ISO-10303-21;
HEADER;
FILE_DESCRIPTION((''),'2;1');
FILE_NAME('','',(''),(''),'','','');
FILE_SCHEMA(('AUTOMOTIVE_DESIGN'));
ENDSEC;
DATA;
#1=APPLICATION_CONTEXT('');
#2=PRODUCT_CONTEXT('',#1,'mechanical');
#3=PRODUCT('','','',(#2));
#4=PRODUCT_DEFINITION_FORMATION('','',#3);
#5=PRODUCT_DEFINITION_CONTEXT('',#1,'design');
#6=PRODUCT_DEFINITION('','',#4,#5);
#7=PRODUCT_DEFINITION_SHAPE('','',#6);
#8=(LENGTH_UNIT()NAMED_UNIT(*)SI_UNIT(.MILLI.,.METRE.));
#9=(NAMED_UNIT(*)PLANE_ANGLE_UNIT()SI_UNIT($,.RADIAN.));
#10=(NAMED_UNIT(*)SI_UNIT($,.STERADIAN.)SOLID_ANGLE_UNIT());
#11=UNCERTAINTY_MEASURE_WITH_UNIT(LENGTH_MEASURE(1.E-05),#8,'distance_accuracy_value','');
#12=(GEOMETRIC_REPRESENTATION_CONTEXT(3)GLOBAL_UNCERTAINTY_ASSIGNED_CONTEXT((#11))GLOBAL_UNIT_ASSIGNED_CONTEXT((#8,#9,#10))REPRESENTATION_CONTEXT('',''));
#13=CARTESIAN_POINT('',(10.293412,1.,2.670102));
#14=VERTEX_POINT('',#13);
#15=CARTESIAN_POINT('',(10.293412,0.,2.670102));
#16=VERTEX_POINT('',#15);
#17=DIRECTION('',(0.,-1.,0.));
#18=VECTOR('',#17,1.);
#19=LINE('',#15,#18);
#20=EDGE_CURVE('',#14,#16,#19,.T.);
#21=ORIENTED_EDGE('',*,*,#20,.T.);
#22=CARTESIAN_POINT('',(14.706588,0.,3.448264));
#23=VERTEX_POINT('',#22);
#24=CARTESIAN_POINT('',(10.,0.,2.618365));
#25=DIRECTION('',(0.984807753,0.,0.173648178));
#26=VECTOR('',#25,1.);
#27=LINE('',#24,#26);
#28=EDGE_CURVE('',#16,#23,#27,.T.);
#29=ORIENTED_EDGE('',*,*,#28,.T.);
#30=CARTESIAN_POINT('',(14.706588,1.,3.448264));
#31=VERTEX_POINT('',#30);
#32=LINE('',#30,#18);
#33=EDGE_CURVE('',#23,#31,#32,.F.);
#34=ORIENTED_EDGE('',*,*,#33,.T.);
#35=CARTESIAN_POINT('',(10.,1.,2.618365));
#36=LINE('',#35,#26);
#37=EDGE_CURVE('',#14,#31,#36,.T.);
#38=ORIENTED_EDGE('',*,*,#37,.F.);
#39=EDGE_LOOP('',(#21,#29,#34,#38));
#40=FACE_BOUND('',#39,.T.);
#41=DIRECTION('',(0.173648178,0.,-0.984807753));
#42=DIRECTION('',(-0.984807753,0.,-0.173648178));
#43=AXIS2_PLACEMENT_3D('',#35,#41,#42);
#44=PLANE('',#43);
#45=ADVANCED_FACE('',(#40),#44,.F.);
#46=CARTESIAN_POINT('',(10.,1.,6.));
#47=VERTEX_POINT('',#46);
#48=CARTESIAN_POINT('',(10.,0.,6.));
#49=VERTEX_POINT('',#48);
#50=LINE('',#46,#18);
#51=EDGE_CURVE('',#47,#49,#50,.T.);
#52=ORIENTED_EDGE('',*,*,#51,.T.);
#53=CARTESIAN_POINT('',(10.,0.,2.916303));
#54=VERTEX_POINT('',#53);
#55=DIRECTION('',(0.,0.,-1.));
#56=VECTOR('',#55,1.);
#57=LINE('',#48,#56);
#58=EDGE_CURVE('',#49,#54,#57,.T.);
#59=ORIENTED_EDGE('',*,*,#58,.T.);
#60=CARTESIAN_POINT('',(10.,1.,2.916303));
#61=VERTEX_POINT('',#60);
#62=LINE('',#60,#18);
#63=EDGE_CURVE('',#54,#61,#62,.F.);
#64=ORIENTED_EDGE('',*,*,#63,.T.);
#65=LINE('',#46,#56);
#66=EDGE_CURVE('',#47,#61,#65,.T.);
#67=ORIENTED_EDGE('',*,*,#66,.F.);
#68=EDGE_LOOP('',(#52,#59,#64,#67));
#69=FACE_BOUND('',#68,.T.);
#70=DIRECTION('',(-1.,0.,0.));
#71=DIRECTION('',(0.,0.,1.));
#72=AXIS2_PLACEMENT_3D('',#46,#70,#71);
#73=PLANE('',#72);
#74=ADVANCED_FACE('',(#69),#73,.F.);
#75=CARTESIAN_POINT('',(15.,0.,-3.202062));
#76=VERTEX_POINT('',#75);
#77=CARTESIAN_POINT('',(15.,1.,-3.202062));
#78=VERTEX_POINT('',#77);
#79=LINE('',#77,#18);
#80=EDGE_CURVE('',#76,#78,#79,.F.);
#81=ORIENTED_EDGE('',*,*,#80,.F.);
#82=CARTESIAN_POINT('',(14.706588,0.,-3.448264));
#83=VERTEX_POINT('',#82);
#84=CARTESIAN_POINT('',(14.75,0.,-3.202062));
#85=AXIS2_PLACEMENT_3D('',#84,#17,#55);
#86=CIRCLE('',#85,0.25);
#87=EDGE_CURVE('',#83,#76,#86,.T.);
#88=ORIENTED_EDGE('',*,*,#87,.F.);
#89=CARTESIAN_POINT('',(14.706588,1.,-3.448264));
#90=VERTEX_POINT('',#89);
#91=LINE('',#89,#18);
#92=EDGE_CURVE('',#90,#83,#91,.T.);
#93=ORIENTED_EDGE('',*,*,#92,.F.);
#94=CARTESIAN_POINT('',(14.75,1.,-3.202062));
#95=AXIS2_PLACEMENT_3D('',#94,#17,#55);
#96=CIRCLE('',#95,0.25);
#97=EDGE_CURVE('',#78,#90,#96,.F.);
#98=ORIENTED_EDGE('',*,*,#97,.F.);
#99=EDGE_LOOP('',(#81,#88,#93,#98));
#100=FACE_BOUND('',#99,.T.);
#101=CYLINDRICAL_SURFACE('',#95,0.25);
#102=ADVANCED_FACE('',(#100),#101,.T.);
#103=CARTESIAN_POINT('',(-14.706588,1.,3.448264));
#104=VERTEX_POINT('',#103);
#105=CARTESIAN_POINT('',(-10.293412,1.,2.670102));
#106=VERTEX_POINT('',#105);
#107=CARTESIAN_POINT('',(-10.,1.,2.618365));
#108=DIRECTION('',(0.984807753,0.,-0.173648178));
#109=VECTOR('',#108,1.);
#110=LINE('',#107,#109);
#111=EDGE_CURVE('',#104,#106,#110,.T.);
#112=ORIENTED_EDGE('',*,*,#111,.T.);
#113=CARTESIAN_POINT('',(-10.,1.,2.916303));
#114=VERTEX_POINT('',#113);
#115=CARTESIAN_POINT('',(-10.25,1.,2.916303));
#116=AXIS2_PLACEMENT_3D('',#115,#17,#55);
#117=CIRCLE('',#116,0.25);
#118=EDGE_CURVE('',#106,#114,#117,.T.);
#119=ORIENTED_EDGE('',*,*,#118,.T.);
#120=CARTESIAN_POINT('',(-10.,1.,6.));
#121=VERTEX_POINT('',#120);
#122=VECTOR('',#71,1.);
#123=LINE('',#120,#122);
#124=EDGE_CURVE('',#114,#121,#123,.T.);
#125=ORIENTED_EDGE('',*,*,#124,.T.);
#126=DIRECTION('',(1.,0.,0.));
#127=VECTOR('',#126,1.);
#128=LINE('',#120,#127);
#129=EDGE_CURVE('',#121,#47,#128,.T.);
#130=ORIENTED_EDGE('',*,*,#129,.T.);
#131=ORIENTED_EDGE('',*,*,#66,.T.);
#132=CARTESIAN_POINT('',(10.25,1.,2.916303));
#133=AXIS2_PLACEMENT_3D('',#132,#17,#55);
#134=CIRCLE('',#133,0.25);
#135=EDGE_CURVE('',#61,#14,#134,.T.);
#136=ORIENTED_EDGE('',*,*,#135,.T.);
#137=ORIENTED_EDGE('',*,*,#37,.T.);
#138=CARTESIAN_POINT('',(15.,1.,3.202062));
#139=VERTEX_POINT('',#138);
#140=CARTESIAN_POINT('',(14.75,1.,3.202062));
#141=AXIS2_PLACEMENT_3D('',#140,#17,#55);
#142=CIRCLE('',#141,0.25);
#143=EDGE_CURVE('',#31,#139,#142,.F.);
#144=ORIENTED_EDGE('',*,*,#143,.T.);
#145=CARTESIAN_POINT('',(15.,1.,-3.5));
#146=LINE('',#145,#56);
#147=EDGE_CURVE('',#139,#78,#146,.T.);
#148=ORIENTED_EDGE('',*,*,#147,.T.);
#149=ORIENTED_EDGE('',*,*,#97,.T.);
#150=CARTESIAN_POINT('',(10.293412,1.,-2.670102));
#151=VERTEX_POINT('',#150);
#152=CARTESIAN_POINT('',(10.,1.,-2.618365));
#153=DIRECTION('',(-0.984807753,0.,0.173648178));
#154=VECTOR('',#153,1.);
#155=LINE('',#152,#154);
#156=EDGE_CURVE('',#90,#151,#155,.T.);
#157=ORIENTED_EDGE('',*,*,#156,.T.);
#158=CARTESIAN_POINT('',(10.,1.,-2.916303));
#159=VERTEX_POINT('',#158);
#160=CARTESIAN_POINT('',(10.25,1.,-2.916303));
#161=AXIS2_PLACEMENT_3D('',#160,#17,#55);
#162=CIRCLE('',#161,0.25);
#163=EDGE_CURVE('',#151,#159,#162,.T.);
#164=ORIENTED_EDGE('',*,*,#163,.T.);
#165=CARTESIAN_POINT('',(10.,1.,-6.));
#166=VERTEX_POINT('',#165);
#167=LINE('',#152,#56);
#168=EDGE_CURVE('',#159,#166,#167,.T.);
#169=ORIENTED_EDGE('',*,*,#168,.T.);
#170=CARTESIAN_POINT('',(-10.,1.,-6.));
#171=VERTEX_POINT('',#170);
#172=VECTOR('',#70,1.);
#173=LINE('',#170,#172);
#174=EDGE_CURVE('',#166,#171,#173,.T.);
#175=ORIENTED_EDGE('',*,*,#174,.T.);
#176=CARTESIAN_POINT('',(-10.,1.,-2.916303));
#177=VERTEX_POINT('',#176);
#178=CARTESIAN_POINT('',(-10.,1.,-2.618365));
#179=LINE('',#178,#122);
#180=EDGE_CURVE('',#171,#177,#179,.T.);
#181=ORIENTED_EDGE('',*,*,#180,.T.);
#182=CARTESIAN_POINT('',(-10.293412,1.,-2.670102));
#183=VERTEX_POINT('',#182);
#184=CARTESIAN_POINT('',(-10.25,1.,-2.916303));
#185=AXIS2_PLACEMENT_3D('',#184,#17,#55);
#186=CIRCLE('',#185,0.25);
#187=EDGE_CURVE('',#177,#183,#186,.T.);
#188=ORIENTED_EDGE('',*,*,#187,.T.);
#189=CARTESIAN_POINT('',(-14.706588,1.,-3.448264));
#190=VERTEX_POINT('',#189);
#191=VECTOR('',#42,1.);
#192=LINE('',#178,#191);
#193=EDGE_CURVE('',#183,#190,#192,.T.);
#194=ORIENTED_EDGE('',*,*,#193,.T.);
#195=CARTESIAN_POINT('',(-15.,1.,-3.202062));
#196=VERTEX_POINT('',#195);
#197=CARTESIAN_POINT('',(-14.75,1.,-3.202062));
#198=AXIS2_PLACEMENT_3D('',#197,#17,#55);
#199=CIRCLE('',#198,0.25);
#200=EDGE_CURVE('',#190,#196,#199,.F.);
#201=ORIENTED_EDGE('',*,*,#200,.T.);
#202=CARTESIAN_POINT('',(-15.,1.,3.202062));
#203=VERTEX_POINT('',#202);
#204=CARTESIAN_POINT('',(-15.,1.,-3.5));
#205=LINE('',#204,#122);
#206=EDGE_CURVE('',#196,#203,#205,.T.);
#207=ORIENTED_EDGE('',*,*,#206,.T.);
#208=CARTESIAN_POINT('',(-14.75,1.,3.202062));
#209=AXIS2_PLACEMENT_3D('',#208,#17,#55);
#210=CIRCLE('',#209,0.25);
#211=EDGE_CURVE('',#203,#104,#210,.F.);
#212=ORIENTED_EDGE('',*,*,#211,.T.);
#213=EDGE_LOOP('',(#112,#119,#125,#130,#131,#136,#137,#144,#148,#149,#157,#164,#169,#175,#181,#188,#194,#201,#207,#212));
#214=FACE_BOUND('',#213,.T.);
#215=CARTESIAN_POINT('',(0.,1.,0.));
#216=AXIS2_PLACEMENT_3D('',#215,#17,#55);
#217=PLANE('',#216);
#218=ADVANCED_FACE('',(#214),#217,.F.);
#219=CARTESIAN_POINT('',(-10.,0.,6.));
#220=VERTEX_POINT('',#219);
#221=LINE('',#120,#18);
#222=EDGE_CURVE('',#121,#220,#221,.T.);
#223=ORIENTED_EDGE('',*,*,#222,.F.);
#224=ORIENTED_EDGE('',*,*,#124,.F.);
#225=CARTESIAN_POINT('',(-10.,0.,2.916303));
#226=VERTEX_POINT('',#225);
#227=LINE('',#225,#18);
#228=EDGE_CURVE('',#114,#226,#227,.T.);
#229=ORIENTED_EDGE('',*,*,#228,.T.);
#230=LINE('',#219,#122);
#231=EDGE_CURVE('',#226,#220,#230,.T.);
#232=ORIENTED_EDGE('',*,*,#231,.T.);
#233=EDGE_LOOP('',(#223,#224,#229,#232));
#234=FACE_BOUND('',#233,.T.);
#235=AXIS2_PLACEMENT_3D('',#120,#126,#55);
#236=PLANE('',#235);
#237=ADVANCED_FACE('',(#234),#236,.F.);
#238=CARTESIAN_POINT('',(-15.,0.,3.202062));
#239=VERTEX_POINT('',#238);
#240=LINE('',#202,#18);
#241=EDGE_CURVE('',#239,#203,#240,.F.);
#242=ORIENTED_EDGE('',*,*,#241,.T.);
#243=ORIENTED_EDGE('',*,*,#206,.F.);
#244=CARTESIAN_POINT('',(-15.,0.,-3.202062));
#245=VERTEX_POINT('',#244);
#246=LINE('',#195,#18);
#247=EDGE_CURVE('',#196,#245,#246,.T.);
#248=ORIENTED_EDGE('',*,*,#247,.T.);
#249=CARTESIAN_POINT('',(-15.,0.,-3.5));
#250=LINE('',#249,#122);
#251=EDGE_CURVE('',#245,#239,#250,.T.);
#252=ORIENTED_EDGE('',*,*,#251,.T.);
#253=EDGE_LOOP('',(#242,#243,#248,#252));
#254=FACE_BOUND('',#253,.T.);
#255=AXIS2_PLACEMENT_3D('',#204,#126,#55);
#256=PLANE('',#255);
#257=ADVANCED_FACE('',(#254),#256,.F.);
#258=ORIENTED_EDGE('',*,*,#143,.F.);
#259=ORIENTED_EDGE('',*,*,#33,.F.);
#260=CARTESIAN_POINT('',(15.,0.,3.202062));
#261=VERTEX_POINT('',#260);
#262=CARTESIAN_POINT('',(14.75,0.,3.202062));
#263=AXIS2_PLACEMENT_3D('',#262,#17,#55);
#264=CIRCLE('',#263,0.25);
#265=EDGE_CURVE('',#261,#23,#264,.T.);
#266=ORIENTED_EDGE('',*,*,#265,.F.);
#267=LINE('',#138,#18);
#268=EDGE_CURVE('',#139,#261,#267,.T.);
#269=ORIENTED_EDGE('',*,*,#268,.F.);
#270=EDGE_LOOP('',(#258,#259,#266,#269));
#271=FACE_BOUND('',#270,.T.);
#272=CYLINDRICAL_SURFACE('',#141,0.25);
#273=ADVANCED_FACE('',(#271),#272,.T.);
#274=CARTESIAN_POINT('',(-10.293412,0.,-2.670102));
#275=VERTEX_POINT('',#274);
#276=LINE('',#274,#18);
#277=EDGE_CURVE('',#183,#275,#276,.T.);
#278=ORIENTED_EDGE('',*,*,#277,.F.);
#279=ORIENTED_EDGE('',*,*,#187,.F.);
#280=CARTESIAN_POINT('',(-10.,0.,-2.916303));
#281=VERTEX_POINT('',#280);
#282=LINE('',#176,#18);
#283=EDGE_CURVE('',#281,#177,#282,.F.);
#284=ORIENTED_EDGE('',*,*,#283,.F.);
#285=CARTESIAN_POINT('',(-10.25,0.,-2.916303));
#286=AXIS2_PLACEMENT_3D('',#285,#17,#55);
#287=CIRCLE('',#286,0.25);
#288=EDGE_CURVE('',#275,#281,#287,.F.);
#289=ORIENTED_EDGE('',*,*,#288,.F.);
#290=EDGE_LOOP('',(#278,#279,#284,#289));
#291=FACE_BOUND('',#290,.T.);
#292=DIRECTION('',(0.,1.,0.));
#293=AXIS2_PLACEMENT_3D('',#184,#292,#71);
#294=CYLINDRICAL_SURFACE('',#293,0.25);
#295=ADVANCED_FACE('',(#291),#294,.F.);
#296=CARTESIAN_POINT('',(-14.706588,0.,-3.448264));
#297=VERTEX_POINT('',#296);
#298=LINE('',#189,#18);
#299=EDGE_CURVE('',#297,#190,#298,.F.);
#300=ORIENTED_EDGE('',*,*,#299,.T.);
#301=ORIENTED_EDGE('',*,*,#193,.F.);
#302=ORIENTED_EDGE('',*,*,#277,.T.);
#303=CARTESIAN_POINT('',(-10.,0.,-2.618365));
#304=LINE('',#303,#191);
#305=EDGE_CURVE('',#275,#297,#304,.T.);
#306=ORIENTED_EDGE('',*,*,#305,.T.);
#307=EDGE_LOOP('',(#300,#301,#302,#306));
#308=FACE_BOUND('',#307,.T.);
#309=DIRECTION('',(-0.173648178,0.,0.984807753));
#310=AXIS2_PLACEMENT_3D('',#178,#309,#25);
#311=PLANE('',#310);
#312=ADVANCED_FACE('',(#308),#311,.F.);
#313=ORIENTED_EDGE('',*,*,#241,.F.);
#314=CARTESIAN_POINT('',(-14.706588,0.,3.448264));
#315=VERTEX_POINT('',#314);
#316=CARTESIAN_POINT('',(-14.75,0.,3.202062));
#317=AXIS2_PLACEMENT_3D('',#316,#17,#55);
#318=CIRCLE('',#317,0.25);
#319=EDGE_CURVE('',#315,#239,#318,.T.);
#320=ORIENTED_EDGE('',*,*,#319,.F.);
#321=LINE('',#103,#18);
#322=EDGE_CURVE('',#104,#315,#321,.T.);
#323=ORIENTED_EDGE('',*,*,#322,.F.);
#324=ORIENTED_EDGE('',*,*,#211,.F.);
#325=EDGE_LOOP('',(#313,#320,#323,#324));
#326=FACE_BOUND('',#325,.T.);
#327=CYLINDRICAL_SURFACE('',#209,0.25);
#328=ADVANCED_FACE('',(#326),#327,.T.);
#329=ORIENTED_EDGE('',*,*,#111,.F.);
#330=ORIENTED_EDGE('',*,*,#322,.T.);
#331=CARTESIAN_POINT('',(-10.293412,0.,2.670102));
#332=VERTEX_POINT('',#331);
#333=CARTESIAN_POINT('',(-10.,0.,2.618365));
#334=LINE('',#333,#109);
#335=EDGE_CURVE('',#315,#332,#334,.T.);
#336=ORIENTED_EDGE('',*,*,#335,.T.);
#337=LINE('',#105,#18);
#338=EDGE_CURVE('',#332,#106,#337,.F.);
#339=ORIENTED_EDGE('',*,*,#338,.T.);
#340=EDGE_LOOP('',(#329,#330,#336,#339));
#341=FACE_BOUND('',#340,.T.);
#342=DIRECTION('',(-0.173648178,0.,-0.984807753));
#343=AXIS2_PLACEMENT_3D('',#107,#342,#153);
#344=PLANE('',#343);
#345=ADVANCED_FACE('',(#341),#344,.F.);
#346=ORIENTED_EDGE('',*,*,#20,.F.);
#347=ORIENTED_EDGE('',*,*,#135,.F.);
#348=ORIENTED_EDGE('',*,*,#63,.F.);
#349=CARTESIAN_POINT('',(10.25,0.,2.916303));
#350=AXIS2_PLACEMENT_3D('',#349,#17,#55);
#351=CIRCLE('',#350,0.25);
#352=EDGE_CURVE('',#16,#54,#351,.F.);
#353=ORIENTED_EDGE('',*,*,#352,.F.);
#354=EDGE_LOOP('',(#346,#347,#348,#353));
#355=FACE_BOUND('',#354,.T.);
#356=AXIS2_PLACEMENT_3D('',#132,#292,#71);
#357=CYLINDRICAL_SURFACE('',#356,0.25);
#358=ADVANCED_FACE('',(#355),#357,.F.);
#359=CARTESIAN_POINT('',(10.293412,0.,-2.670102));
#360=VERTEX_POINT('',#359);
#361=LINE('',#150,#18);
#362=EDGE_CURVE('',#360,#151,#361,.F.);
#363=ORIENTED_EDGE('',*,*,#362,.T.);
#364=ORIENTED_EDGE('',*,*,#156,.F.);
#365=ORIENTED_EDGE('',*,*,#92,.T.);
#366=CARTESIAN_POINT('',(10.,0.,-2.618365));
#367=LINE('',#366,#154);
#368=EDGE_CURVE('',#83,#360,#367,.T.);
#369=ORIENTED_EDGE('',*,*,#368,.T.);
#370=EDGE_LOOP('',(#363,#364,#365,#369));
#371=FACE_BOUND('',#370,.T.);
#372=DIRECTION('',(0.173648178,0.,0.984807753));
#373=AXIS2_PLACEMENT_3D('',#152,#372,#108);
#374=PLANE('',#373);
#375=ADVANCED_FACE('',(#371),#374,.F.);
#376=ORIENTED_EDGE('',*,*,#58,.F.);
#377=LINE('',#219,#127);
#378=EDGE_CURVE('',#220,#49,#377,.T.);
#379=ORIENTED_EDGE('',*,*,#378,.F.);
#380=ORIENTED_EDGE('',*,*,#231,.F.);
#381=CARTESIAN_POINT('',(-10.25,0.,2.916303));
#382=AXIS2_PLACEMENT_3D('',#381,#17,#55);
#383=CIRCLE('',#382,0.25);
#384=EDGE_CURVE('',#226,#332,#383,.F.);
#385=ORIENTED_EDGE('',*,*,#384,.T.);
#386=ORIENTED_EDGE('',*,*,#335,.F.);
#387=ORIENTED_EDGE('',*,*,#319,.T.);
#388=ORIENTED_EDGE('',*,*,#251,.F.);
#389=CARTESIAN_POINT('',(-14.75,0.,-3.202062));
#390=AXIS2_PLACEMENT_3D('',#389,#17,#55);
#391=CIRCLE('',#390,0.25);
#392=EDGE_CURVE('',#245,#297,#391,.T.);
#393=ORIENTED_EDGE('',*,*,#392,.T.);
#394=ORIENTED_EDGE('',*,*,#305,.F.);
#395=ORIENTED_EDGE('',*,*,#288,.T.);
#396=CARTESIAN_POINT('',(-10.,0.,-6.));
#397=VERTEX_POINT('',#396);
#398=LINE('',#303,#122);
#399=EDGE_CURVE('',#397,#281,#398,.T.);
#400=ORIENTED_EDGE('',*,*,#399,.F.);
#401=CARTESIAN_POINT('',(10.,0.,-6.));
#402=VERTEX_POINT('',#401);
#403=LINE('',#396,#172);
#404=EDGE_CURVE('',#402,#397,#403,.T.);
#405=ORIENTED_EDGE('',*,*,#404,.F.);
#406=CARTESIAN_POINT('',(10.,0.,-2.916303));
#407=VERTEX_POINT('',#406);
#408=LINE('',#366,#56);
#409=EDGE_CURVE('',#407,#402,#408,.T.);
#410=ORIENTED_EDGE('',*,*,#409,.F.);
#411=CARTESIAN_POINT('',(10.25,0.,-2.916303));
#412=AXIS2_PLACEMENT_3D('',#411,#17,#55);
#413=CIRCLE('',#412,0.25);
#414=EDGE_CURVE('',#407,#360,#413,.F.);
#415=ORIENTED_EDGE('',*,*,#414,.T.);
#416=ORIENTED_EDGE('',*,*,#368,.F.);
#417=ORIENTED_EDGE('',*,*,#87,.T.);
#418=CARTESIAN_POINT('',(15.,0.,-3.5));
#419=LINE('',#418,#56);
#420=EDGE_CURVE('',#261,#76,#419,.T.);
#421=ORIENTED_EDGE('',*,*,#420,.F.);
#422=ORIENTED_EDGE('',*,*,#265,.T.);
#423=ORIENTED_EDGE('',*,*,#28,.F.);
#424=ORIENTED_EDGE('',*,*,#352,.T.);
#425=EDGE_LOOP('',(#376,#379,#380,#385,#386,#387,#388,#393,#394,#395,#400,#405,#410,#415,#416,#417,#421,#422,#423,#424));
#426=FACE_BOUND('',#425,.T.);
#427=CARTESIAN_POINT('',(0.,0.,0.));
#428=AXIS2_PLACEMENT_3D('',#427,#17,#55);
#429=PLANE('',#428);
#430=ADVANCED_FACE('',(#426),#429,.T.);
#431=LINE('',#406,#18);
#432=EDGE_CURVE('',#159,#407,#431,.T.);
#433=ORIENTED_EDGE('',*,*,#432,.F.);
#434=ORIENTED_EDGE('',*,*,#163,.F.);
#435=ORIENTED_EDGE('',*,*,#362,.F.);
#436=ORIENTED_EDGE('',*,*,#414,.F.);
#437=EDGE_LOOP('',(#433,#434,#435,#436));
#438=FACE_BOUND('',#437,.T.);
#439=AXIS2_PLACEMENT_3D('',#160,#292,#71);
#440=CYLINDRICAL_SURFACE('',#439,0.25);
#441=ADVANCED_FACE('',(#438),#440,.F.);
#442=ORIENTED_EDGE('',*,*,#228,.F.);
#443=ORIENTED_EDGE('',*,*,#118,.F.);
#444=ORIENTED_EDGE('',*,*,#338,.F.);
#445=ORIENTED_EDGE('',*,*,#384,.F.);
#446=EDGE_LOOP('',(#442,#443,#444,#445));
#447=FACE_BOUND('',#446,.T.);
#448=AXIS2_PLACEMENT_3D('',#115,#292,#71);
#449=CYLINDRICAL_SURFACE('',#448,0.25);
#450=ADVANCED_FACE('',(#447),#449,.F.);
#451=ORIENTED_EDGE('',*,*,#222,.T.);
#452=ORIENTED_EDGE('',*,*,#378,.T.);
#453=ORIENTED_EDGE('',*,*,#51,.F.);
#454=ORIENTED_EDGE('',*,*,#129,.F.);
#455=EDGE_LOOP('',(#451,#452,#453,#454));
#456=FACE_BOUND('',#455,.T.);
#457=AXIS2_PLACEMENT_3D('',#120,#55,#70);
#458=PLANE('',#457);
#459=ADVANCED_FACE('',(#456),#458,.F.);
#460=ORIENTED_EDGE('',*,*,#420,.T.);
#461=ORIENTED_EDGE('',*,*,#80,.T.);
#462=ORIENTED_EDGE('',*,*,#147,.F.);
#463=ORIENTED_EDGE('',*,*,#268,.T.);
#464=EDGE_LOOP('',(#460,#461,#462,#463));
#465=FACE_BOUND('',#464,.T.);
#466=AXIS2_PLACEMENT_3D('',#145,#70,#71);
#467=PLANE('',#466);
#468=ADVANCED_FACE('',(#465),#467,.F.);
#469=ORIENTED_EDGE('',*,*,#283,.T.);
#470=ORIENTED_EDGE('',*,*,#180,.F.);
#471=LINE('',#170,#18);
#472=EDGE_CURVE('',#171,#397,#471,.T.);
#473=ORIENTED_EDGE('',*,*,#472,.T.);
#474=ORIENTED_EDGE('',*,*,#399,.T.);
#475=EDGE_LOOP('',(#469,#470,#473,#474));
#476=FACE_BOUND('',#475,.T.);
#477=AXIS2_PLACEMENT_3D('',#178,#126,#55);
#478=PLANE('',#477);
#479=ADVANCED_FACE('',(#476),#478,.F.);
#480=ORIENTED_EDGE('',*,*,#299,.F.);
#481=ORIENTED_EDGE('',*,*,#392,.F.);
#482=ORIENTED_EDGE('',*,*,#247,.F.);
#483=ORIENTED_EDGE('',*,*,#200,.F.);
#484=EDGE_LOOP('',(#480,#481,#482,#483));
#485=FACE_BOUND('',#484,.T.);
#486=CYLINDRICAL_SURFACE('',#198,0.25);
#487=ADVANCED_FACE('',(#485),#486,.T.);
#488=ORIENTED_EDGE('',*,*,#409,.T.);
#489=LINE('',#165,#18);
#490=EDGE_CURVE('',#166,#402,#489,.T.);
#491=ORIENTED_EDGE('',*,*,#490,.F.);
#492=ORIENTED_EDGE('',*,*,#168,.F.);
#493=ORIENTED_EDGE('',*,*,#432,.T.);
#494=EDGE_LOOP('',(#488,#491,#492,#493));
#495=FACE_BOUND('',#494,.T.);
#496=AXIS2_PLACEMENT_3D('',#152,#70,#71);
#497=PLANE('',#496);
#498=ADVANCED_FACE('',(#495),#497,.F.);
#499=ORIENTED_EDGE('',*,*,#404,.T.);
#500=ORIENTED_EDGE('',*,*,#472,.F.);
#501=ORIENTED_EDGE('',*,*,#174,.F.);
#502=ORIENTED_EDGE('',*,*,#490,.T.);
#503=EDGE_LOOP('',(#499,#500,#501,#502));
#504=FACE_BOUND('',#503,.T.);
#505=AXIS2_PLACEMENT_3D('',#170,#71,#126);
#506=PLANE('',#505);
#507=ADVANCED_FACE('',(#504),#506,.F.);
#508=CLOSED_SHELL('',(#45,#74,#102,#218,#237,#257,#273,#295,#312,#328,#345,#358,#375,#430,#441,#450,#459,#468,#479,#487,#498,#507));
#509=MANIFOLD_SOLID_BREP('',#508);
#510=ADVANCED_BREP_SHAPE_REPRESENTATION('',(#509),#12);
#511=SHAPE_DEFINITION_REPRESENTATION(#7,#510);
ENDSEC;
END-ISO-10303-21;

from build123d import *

# Parameters (mm, degrees)
BOSS_EXTRUDE1_DEPTH = 1
FILLET1_R           = 0.25


with BuildPart() as part:
    # Sketch1 → Boss-Extrude1 (new body)
    with BuildSketch(Plane(origin=(0, 0, 0), x_dir=(1, 0, 0), z_dir=(0, 1, 0))):
        Polygon((-10, 2.618365096), (-15, 3.5), (-15, -3.5), (-10, -2.618365096), (-10, -6), (10, -6), (10, -2.618365096), (15, -3.5), (15, 3.5), (10, 2.618365096), (10, 6), (-10, 6), align=None)
    extrude(amount=BOSS_EXTRUDE1_DEPTH)

    # Fillet1
    fillet1_edges = [part.edges().sort_by_distance(p)[0] for p in [
        (10, 0.5, -2.618365096),
        (15, 0.5, -3.5),
        (15, 0.5, 3.5),
        (10, 0.5, 2.618365096),
        (-10, 0.5, 2.618365096),
        (-15, 0.5, 3.5),
        (-15, 0.5, -3.5),
        (-10, 0.5, -2.618365096),
    ]]
    fillet(fillet1_edges, radius=FILLET1_R)


solid = part.part
